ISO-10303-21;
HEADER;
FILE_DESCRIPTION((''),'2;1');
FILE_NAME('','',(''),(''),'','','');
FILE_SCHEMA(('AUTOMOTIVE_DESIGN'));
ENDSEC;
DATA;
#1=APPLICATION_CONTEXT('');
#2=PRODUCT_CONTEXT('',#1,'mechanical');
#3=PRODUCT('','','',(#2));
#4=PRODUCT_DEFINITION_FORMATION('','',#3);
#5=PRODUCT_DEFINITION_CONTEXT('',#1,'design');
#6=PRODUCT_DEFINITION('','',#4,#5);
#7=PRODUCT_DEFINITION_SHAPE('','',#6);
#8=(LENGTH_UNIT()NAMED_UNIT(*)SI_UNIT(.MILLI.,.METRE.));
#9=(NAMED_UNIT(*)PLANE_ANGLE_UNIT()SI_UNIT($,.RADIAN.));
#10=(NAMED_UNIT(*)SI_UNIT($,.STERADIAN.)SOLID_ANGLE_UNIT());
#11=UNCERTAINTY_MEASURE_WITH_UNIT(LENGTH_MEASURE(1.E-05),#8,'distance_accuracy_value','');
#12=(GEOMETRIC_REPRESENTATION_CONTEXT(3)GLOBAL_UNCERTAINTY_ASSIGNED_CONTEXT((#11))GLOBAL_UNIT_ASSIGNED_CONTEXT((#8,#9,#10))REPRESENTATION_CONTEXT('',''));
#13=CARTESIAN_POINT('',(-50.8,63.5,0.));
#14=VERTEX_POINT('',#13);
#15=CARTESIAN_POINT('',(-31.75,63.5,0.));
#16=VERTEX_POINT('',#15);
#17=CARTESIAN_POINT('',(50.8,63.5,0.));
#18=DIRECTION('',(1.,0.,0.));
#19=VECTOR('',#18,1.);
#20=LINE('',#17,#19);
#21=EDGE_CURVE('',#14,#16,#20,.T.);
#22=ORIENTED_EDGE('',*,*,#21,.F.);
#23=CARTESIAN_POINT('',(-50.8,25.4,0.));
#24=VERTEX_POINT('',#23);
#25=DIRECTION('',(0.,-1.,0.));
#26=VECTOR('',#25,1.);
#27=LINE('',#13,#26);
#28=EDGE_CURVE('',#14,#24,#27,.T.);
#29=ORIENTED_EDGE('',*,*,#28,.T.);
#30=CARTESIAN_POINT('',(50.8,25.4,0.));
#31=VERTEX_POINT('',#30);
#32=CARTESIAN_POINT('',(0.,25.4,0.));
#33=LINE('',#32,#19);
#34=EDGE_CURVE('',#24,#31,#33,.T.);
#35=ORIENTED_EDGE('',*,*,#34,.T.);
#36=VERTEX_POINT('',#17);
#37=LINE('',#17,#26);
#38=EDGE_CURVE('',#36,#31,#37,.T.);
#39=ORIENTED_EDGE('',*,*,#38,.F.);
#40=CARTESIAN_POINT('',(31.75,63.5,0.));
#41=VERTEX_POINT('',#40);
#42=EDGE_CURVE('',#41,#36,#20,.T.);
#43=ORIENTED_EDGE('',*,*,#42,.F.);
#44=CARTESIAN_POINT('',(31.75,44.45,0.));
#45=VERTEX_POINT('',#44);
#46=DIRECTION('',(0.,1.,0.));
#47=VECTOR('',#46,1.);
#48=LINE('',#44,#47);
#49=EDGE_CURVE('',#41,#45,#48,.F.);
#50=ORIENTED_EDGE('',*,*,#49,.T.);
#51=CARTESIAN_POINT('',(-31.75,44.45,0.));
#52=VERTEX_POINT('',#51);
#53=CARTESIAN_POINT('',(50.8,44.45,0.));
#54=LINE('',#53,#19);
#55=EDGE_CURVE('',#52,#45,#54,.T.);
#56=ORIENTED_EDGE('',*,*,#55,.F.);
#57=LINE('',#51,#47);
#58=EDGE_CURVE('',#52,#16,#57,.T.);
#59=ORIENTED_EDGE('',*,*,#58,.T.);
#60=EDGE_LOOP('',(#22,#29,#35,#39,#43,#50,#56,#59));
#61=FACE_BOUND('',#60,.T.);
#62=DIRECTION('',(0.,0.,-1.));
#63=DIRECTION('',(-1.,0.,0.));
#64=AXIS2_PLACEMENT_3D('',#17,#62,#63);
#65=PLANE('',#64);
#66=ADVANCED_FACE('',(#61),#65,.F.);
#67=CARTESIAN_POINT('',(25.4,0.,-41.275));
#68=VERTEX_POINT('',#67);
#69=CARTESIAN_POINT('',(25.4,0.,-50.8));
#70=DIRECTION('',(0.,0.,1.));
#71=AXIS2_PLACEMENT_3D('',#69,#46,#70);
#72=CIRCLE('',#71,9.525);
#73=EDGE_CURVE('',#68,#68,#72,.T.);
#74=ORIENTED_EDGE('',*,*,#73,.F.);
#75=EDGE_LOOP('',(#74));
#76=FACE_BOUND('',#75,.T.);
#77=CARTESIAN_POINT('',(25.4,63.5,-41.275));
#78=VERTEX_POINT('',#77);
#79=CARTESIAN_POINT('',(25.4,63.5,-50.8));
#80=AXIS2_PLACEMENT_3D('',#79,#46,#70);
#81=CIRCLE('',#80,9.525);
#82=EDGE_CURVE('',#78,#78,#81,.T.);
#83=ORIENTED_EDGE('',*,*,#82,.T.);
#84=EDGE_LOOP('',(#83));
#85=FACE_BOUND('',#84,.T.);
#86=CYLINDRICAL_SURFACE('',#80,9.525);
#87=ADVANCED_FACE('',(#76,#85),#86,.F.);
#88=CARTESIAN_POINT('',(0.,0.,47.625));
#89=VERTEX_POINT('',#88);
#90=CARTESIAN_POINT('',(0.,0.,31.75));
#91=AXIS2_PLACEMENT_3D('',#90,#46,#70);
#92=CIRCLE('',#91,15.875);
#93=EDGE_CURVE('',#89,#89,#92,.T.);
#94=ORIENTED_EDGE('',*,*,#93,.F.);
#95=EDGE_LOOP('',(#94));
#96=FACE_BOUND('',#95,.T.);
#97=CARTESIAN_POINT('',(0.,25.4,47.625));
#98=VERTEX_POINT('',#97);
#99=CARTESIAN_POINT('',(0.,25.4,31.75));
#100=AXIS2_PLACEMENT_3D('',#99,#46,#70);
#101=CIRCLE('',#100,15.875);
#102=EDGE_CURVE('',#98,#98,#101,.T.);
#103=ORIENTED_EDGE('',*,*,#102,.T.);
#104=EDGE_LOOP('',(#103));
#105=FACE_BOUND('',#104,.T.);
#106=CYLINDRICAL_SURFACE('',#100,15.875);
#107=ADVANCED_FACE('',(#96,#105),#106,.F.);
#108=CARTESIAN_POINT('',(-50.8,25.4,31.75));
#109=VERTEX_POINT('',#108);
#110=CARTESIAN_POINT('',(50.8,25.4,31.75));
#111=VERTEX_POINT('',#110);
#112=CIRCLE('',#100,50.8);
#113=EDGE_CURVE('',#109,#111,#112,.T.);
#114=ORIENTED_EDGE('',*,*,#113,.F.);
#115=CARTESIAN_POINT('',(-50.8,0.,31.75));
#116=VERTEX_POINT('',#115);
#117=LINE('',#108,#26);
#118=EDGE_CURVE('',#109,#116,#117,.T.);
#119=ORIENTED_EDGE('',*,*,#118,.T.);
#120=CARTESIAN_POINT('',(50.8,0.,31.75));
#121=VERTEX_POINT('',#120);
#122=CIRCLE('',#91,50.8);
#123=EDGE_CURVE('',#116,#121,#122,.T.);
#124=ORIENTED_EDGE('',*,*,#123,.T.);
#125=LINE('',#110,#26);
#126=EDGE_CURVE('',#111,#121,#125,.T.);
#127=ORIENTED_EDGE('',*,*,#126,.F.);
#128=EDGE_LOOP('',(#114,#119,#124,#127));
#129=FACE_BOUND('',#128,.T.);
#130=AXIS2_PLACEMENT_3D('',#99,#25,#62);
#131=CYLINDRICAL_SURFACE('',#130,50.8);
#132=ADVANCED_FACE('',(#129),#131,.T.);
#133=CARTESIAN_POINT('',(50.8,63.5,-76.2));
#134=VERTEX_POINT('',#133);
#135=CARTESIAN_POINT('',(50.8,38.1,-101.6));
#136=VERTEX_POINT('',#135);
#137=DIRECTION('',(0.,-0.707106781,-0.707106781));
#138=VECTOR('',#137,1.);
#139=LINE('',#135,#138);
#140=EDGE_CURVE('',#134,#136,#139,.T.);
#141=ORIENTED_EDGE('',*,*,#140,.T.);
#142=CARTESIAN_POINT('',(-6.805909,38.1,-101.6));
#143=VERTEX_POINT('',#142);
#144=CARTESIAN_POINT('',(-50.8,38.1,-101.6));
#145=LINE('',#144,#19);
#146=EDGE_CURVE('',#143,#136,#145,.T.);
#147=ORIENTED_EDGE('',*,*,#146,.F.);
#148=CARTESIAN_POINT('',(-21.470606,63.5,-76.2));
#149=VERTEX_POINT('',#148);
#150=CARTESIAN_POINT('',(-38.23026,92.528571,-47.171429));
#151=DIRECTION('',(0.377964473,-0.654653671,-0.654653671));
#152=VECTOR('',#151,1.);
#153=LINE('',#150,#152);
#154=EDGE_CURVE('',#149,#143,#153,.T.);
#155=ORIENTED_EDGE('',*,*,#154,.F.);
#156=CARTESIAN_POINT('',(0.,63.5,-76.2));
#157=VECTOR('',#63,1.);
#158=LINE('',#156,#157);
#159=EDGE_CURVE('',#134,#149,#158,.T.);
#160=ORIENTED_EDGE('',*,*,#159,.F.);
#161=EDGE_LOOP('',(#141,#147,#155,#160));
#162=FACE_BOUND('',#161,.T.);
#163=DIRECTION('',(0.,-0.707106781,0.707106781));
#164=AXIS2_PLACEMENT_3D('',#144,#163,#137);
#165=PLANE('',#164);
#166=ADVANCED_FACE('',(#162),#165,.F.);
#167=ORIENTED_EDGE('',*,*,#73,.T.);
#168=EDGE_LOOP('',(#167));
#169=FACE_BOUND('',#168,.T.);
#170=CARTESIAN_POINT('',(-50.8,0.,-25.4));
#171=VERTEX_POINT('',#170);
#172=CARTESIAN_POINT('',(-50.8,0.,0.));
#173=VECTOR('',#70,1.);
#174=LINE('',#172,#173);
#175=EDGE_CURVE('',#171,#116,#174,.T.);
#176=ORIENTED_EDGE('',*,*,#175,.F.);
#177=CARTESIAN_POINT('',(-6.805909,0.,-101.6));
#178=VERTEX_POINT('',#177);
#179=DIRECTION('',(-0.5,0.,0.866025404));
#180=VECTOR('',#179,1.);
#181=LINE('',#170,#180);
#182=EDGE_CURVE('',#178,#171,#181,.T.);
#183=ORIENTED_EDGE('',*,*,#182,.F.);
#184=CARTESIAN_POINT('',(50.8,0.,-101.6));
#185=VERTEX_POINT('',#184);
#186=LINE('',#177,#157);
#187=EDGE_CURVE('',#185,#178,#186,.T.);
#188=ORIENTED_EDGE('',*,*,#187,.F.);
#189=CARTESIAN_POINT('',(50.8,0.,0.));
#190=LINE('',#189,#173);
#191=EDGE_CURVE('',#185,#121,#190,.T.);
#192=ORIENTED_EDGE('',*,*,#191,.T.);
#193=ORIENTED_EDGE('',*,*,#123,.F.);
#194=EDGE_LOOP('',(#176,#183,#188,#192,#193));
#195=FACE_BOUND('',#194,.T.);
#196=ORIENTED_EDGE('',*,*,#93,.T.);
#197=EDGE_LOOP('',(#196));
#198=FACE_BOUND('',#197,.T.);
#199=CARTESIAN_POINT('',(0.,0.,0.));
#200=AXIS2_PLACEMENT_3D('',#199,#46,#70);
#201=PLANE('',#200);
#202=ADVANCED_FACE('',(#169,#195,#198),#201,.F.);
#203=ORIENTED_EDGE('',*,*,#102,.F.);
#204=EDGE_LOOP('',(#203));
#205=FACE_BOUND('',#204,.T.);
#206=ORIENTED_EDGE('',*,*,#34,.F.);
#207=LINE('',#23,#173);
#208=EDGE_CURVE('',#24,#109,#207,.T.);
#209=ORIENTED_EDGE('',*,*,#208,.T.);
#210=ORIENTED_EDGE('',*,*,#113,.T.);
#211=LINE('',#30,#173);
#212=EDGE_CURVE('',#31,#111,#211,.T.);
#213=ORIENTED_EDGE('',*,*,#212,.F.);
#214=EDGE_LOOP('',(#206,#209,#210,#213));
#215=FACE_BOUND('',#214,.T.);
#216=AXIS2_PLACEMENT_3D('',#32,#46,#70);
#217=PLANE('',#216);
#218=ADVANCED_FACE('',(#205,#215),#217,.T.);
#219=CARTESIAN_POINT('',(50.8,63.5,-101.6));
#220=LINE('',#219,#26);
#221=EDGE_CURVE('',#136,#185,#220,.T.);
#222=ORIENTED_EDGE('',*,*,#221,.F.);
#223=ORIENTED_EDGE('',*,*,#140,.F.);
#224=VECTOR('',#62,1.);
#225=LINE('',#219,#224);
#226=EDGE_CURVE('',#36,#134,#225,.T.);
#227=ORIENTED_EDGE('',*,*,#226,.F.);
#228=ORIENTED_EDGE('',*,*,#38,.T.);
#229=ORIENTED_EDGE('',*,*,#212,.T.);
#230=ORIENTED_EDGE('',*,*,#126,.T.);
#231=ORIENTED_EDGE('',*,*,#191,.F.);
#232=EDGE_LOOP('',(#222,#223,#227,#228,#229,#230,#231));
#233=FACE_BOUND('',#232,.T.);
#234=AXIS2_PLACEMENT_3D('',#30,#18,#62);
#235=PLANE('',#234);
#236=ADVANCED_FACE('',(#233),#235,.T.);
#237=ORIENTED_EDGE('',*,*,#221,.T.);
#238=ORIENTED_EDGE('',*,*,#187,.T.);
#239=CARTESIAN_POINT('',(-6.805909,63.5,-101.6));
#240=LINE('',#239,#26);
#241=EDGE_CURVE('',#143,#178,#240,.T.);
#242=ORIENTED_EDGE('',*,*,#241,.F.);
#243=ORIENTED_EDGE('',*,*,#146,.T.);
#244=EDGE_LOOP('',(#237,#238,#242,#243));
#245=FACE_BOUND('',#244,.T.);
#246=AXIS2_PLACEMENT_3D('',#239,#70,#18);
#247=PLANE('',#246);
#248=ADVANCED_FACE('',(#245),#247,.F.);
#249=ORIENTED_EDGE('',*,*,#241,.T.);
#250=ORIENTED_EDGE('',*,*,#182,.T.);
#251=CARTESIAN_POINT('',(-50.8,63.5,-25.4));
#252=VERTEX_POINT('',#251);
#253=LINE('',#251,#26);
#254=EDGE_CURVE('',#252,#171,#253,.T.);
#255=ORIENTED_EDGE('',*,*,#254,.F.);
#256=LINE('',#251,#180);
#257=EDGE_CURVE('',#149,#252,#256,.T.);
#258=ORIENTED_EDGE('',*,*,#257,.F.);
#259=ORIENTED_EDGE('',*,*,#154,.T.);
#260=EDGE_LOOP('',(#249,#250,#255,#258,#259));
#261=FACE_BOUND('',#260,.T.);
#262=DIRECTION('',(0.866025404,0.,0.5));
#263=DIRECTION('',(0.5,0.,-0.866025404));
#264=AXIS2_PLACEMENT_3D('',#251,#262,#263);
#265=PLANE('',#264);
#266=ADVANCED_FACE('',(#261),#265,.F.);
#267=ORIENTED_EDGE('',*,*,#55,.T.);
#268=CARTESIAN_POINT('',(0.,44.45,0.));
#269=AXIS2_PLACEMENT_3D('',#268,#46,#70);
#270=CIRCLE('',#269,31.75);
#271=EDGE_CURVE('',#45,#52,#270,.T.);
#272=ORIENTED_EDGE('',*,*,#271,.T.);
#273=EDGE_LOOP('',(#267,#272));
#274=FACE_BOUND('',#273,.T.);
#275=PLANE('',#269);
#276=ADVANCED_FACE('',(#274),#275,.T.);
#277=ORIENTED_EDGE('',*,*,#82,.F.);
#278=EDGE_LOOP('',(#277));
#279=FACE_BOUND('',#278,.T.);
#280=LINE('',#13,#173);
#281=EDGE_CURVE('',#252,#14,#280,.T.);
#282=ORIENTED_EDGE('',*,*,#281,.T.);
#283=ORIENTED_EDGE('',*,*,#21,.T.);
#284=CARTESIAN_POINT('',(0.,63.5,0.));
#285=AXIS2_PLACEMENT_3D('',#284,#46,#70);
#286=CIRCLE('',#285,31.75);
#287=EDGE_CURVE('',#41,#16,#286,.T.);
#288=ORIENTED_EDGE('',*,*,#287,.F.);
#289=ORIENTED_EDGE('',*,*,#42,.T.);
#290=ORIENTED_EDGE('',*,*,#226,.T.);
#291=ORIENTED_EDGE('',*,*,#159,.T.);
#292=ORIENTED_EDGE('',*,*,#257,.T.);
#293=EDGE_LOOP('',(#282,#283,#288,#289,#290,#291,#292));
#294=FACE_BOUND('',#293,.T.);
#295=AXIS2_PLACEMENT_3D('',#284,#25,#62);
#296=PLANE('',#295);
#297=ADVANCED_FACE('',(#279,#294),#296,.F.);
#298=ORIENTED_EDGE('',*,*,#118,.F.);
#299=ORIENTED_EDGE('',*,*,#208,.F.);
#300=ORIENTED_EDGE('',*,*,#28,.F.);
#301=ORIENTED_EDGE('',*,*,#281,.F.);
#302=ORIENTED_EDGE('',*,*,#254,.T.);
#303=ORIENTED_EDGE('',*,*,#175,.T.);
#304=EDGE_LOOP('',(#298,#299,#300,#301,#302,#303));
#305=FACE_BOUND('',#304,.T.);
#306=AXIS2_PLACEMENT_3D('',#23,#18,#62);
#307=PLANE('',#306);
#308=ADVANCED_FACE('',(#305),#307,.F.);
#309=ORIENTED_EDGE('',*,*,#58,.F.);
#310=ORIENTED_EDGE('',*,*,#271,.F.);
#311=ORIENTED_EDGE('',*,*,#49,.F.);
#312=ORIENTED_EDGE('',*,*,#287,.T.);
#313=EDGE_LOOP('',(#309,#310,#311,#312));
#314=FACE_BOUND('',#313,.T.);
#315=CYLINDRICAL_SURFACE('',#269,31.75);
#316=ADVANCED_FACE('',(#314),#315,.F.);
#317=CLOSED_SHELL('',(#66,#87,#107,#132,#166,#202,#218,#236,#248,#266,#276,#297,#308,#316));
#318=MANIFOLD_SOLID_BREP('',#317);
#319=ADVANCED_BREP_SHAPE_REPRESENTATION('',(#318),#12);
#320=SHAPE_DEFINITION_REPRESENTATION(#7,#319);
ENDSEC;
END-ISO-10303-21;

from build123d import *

# Parameters (mm, degrees)
BOSS_EXTRUDE1_DEPTH         = 25.4
BOSS_EXTRUDE2_DEPTH         = 63.5
CUT_EXTRUDE1_DEPTH          = 51.8
CUT_EXTRUDE1_DEPTH_BACK     = 51.8
F_1_4_0_75_DIAMETER_HOLE1_D = 19.05
SKETCH6_R                   = 31.75
CUT_EXTRUDE2_DEPTH          = 19.05
F_1_4_1_25_DIAMETER_HOLE1_D = 31.75


with BuildPart() as part:
    # Sketch1 → Boss-Extrude1 (new body)
    with BuildSketch(Plane(origin=(0, 0, 0), x_dir=(1, 0, 0), z_dir=(0, 1, 0))):
        with BuildLine():
            Line((-50.8, 0), (-50.8, -31.75))
            ThreePointArc((-50.8, -31.75), (0, -82.55), (50.8, -31.75))
            Line((50.8, -31.75), (50.8, 0))
            Line((50.8, 0), (-50.8, 0))
        make_face()
    extrude(amount=BOSS_EXTRUDE1_DEPTH)

    # Sketch2 → Boss-Extrude2 (add)
    with BuildSketch(Plane(origin=(0, 0, 0), x_dir=(1, 0, 0), z_dir=(0, 1, 0))):
        Polygon((-50.8, 0), (-50.8, 25.4), (-6.805909488, 101.6), (50.8, 101.6), (50.8, 0), align=None)
    extrude(amount=BOSS_EXTRUDE2_DEPTH)

    # Sketch3 → Cut-Extrude1 (cut, two sides)
    with BuildSketch(Plane(origin=(0, 0, 0), x_dir=(0, 0, -1), z_dir=(1, 0, 0))) as cut_extrude1_sk:
        Polygon((76.2, 63.5), (101.6, 63.5), (101.6, 38.1), align=None)
    extrude(amount=CUT_EXTRUDE1_DEPTH, mode=Mode.SUBTRACT)
    extrude(cut_extrude1_sk.sketch, amount=-CUT_EXTRUDE1_DEPTH_BACK, mode=Mode.SUBTRACT)

    # 1/4 (0.75) Diameter Hole1 (through all)
    with Locations(Plane(origin=(0, 63.5, 0), x_dir=(1, 0, 0), z_dir=(0, 1, 0))):
        with Locations((25.4, 50.8)):
            Hole(F_1_4_0_75_DIAMETER_HOLE1_D / 2)

    # Sketch6 → Cut-Extrude2 (cut)
    with BuildSketch(Plane(origin=(0, 63.5, 0), x_dir=(1, 0, 0), z_dir=(0, 1, 0))):
        Circle(SKETCH6_R)
    extrude(amount=-CUT_EXTRUDE2_DEPTH, mode=Mode.SUBTRACT)

    # 1/4 (1.25) Diameter Hole1 (through all)
    with Locations(Plane(origin=(0, 25.4, 0), x_dir=(1, 0, 0), z_dir=(0, 1, 0))):
        with Locations((0, -31.75)):
            Hole(F_1_4_1_25_DIAMETER_HOLE1_D / 2)


solid = part.part
